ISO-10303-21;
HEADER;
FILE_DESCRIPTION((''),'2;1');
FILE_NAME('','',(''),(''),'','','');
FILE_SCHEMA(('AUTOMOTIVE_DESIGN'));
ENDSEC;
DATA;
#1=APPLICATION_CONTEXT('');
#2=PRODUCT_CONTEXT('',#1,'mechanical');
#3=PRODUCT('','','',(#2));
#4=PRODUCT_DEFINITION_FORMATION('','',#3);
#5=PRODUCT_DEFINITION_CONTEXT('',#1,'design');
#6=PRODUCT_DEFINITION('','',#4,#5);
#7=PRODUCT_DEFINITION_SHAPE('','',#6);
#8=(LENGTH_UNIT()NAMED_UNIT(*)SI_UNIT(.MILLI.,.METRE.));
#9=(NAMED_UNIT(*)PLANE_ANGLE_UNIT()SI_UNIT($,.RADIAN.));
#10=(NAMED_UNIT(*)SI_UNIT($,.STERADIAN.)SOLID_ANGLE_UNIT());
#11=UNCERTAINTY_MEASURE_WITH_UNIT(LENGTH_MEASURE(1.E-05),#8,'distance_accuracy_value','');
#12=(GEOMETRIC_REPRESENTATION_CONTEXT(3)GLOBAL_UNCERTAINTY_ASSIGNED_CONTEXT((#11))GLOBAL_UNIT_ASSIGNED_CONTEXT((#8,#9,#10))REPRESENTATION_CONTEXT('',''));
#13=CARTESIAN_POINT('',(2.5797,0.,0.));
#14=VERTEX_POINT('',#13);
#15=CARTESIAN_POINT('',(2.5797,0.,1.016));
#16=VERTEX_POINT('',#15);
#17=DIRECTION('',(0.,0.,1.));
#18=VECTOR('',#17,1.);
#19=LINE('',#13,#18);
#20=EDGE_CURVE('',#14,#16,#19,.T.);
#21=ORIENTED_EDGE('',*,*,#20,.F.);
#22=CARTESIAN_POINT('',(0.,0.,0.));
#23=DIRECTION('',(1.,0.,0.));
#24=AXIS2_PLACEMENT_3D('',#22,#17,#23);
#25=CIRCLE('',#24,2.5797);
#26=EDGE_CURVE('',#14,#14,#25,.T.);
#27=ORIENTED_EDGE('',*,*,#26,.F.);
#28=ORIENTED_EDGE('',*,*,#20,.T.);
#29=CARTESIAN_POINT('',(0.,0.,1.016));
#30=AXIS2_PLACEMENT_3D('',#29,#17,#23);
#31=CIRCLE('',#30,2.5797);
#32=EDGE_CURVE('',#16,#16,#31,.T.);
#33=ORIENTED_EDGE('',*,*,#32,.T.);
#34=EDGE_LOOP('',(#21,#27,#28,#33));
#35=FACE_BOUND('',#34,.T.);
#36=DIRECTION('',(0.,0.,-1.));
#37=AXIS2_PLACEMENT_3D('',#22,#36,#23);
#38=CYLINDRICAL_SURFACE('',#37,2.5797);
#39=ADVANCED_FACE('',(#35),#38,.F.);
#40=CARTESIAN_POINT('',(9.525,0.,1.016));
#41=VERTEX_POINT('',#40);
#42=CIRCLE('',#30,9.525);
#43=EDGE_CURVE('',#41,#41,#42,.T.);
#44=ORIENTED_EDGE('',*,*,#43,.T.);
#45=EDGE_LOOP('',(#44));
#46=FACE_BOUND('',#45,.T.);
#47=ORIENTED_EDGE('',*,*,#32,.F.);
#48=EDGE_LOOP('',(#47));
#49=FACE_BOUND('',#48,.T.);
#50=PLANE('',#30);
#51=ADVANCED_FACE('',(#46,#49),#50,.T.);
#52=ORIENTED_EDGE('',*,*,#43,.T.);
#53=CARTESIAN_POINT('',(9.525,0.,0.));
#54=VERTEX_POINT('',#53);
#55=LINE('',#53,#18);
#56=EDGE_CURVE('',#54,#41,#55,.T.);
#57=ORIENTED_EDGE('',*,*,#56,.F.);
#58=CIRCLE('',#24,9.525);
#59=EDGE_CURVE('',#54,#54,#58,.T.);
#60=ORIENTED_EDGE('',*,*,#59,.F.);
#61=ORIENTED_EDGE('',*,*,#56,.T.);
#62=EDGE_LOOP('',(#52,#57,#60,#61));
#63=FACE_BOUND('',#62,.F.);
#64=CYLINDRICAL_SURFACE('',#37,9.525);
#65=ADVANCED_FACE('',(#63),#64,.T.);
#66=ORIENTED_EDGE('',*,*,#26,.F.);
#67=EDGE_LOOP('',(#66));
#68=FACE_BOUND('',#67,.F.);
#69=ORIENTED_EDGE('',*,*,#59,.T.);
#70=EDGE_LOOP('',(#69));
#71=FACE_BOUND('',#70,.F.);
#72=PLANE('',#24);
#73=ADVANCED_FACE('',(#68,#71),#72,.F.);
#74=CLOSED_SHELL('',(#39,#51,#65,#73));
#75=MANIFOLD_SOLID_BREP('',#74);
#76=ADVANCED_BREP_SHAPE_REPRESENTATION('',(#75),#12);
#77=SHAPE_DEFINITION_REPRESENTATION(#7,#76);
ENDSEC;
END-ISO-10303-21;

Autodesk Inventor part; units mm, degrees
ref_plane "YZ Plane" through (0, 0, 0) normal (1, 0, 0) x (0, 1, 0)
ref_plane "XZ Plane" through (0, 0, 0) normal (0, 1, 0) x (-1, 0, 0)
ref_plane "XY Plane" through (0, 0, 0) normal (0, 0, 1) x (1, 0, 0)
sketch "Sketch1" plane through (0, 0, 0) normal (0, 0, 1) x (1, 0, 0)
  circle A0 centre (0, 0) radius 9.525
  circle A1 centre (0, 0) radius 2.5797
  dimension "d0" = 19.05
  dimension "d1" = 5.1594
extrude "Extrusion1" add sketch "Sketch1" along normal blind 1.016
properties part number "10 washer x 1 in" material "Stainless Steel"
